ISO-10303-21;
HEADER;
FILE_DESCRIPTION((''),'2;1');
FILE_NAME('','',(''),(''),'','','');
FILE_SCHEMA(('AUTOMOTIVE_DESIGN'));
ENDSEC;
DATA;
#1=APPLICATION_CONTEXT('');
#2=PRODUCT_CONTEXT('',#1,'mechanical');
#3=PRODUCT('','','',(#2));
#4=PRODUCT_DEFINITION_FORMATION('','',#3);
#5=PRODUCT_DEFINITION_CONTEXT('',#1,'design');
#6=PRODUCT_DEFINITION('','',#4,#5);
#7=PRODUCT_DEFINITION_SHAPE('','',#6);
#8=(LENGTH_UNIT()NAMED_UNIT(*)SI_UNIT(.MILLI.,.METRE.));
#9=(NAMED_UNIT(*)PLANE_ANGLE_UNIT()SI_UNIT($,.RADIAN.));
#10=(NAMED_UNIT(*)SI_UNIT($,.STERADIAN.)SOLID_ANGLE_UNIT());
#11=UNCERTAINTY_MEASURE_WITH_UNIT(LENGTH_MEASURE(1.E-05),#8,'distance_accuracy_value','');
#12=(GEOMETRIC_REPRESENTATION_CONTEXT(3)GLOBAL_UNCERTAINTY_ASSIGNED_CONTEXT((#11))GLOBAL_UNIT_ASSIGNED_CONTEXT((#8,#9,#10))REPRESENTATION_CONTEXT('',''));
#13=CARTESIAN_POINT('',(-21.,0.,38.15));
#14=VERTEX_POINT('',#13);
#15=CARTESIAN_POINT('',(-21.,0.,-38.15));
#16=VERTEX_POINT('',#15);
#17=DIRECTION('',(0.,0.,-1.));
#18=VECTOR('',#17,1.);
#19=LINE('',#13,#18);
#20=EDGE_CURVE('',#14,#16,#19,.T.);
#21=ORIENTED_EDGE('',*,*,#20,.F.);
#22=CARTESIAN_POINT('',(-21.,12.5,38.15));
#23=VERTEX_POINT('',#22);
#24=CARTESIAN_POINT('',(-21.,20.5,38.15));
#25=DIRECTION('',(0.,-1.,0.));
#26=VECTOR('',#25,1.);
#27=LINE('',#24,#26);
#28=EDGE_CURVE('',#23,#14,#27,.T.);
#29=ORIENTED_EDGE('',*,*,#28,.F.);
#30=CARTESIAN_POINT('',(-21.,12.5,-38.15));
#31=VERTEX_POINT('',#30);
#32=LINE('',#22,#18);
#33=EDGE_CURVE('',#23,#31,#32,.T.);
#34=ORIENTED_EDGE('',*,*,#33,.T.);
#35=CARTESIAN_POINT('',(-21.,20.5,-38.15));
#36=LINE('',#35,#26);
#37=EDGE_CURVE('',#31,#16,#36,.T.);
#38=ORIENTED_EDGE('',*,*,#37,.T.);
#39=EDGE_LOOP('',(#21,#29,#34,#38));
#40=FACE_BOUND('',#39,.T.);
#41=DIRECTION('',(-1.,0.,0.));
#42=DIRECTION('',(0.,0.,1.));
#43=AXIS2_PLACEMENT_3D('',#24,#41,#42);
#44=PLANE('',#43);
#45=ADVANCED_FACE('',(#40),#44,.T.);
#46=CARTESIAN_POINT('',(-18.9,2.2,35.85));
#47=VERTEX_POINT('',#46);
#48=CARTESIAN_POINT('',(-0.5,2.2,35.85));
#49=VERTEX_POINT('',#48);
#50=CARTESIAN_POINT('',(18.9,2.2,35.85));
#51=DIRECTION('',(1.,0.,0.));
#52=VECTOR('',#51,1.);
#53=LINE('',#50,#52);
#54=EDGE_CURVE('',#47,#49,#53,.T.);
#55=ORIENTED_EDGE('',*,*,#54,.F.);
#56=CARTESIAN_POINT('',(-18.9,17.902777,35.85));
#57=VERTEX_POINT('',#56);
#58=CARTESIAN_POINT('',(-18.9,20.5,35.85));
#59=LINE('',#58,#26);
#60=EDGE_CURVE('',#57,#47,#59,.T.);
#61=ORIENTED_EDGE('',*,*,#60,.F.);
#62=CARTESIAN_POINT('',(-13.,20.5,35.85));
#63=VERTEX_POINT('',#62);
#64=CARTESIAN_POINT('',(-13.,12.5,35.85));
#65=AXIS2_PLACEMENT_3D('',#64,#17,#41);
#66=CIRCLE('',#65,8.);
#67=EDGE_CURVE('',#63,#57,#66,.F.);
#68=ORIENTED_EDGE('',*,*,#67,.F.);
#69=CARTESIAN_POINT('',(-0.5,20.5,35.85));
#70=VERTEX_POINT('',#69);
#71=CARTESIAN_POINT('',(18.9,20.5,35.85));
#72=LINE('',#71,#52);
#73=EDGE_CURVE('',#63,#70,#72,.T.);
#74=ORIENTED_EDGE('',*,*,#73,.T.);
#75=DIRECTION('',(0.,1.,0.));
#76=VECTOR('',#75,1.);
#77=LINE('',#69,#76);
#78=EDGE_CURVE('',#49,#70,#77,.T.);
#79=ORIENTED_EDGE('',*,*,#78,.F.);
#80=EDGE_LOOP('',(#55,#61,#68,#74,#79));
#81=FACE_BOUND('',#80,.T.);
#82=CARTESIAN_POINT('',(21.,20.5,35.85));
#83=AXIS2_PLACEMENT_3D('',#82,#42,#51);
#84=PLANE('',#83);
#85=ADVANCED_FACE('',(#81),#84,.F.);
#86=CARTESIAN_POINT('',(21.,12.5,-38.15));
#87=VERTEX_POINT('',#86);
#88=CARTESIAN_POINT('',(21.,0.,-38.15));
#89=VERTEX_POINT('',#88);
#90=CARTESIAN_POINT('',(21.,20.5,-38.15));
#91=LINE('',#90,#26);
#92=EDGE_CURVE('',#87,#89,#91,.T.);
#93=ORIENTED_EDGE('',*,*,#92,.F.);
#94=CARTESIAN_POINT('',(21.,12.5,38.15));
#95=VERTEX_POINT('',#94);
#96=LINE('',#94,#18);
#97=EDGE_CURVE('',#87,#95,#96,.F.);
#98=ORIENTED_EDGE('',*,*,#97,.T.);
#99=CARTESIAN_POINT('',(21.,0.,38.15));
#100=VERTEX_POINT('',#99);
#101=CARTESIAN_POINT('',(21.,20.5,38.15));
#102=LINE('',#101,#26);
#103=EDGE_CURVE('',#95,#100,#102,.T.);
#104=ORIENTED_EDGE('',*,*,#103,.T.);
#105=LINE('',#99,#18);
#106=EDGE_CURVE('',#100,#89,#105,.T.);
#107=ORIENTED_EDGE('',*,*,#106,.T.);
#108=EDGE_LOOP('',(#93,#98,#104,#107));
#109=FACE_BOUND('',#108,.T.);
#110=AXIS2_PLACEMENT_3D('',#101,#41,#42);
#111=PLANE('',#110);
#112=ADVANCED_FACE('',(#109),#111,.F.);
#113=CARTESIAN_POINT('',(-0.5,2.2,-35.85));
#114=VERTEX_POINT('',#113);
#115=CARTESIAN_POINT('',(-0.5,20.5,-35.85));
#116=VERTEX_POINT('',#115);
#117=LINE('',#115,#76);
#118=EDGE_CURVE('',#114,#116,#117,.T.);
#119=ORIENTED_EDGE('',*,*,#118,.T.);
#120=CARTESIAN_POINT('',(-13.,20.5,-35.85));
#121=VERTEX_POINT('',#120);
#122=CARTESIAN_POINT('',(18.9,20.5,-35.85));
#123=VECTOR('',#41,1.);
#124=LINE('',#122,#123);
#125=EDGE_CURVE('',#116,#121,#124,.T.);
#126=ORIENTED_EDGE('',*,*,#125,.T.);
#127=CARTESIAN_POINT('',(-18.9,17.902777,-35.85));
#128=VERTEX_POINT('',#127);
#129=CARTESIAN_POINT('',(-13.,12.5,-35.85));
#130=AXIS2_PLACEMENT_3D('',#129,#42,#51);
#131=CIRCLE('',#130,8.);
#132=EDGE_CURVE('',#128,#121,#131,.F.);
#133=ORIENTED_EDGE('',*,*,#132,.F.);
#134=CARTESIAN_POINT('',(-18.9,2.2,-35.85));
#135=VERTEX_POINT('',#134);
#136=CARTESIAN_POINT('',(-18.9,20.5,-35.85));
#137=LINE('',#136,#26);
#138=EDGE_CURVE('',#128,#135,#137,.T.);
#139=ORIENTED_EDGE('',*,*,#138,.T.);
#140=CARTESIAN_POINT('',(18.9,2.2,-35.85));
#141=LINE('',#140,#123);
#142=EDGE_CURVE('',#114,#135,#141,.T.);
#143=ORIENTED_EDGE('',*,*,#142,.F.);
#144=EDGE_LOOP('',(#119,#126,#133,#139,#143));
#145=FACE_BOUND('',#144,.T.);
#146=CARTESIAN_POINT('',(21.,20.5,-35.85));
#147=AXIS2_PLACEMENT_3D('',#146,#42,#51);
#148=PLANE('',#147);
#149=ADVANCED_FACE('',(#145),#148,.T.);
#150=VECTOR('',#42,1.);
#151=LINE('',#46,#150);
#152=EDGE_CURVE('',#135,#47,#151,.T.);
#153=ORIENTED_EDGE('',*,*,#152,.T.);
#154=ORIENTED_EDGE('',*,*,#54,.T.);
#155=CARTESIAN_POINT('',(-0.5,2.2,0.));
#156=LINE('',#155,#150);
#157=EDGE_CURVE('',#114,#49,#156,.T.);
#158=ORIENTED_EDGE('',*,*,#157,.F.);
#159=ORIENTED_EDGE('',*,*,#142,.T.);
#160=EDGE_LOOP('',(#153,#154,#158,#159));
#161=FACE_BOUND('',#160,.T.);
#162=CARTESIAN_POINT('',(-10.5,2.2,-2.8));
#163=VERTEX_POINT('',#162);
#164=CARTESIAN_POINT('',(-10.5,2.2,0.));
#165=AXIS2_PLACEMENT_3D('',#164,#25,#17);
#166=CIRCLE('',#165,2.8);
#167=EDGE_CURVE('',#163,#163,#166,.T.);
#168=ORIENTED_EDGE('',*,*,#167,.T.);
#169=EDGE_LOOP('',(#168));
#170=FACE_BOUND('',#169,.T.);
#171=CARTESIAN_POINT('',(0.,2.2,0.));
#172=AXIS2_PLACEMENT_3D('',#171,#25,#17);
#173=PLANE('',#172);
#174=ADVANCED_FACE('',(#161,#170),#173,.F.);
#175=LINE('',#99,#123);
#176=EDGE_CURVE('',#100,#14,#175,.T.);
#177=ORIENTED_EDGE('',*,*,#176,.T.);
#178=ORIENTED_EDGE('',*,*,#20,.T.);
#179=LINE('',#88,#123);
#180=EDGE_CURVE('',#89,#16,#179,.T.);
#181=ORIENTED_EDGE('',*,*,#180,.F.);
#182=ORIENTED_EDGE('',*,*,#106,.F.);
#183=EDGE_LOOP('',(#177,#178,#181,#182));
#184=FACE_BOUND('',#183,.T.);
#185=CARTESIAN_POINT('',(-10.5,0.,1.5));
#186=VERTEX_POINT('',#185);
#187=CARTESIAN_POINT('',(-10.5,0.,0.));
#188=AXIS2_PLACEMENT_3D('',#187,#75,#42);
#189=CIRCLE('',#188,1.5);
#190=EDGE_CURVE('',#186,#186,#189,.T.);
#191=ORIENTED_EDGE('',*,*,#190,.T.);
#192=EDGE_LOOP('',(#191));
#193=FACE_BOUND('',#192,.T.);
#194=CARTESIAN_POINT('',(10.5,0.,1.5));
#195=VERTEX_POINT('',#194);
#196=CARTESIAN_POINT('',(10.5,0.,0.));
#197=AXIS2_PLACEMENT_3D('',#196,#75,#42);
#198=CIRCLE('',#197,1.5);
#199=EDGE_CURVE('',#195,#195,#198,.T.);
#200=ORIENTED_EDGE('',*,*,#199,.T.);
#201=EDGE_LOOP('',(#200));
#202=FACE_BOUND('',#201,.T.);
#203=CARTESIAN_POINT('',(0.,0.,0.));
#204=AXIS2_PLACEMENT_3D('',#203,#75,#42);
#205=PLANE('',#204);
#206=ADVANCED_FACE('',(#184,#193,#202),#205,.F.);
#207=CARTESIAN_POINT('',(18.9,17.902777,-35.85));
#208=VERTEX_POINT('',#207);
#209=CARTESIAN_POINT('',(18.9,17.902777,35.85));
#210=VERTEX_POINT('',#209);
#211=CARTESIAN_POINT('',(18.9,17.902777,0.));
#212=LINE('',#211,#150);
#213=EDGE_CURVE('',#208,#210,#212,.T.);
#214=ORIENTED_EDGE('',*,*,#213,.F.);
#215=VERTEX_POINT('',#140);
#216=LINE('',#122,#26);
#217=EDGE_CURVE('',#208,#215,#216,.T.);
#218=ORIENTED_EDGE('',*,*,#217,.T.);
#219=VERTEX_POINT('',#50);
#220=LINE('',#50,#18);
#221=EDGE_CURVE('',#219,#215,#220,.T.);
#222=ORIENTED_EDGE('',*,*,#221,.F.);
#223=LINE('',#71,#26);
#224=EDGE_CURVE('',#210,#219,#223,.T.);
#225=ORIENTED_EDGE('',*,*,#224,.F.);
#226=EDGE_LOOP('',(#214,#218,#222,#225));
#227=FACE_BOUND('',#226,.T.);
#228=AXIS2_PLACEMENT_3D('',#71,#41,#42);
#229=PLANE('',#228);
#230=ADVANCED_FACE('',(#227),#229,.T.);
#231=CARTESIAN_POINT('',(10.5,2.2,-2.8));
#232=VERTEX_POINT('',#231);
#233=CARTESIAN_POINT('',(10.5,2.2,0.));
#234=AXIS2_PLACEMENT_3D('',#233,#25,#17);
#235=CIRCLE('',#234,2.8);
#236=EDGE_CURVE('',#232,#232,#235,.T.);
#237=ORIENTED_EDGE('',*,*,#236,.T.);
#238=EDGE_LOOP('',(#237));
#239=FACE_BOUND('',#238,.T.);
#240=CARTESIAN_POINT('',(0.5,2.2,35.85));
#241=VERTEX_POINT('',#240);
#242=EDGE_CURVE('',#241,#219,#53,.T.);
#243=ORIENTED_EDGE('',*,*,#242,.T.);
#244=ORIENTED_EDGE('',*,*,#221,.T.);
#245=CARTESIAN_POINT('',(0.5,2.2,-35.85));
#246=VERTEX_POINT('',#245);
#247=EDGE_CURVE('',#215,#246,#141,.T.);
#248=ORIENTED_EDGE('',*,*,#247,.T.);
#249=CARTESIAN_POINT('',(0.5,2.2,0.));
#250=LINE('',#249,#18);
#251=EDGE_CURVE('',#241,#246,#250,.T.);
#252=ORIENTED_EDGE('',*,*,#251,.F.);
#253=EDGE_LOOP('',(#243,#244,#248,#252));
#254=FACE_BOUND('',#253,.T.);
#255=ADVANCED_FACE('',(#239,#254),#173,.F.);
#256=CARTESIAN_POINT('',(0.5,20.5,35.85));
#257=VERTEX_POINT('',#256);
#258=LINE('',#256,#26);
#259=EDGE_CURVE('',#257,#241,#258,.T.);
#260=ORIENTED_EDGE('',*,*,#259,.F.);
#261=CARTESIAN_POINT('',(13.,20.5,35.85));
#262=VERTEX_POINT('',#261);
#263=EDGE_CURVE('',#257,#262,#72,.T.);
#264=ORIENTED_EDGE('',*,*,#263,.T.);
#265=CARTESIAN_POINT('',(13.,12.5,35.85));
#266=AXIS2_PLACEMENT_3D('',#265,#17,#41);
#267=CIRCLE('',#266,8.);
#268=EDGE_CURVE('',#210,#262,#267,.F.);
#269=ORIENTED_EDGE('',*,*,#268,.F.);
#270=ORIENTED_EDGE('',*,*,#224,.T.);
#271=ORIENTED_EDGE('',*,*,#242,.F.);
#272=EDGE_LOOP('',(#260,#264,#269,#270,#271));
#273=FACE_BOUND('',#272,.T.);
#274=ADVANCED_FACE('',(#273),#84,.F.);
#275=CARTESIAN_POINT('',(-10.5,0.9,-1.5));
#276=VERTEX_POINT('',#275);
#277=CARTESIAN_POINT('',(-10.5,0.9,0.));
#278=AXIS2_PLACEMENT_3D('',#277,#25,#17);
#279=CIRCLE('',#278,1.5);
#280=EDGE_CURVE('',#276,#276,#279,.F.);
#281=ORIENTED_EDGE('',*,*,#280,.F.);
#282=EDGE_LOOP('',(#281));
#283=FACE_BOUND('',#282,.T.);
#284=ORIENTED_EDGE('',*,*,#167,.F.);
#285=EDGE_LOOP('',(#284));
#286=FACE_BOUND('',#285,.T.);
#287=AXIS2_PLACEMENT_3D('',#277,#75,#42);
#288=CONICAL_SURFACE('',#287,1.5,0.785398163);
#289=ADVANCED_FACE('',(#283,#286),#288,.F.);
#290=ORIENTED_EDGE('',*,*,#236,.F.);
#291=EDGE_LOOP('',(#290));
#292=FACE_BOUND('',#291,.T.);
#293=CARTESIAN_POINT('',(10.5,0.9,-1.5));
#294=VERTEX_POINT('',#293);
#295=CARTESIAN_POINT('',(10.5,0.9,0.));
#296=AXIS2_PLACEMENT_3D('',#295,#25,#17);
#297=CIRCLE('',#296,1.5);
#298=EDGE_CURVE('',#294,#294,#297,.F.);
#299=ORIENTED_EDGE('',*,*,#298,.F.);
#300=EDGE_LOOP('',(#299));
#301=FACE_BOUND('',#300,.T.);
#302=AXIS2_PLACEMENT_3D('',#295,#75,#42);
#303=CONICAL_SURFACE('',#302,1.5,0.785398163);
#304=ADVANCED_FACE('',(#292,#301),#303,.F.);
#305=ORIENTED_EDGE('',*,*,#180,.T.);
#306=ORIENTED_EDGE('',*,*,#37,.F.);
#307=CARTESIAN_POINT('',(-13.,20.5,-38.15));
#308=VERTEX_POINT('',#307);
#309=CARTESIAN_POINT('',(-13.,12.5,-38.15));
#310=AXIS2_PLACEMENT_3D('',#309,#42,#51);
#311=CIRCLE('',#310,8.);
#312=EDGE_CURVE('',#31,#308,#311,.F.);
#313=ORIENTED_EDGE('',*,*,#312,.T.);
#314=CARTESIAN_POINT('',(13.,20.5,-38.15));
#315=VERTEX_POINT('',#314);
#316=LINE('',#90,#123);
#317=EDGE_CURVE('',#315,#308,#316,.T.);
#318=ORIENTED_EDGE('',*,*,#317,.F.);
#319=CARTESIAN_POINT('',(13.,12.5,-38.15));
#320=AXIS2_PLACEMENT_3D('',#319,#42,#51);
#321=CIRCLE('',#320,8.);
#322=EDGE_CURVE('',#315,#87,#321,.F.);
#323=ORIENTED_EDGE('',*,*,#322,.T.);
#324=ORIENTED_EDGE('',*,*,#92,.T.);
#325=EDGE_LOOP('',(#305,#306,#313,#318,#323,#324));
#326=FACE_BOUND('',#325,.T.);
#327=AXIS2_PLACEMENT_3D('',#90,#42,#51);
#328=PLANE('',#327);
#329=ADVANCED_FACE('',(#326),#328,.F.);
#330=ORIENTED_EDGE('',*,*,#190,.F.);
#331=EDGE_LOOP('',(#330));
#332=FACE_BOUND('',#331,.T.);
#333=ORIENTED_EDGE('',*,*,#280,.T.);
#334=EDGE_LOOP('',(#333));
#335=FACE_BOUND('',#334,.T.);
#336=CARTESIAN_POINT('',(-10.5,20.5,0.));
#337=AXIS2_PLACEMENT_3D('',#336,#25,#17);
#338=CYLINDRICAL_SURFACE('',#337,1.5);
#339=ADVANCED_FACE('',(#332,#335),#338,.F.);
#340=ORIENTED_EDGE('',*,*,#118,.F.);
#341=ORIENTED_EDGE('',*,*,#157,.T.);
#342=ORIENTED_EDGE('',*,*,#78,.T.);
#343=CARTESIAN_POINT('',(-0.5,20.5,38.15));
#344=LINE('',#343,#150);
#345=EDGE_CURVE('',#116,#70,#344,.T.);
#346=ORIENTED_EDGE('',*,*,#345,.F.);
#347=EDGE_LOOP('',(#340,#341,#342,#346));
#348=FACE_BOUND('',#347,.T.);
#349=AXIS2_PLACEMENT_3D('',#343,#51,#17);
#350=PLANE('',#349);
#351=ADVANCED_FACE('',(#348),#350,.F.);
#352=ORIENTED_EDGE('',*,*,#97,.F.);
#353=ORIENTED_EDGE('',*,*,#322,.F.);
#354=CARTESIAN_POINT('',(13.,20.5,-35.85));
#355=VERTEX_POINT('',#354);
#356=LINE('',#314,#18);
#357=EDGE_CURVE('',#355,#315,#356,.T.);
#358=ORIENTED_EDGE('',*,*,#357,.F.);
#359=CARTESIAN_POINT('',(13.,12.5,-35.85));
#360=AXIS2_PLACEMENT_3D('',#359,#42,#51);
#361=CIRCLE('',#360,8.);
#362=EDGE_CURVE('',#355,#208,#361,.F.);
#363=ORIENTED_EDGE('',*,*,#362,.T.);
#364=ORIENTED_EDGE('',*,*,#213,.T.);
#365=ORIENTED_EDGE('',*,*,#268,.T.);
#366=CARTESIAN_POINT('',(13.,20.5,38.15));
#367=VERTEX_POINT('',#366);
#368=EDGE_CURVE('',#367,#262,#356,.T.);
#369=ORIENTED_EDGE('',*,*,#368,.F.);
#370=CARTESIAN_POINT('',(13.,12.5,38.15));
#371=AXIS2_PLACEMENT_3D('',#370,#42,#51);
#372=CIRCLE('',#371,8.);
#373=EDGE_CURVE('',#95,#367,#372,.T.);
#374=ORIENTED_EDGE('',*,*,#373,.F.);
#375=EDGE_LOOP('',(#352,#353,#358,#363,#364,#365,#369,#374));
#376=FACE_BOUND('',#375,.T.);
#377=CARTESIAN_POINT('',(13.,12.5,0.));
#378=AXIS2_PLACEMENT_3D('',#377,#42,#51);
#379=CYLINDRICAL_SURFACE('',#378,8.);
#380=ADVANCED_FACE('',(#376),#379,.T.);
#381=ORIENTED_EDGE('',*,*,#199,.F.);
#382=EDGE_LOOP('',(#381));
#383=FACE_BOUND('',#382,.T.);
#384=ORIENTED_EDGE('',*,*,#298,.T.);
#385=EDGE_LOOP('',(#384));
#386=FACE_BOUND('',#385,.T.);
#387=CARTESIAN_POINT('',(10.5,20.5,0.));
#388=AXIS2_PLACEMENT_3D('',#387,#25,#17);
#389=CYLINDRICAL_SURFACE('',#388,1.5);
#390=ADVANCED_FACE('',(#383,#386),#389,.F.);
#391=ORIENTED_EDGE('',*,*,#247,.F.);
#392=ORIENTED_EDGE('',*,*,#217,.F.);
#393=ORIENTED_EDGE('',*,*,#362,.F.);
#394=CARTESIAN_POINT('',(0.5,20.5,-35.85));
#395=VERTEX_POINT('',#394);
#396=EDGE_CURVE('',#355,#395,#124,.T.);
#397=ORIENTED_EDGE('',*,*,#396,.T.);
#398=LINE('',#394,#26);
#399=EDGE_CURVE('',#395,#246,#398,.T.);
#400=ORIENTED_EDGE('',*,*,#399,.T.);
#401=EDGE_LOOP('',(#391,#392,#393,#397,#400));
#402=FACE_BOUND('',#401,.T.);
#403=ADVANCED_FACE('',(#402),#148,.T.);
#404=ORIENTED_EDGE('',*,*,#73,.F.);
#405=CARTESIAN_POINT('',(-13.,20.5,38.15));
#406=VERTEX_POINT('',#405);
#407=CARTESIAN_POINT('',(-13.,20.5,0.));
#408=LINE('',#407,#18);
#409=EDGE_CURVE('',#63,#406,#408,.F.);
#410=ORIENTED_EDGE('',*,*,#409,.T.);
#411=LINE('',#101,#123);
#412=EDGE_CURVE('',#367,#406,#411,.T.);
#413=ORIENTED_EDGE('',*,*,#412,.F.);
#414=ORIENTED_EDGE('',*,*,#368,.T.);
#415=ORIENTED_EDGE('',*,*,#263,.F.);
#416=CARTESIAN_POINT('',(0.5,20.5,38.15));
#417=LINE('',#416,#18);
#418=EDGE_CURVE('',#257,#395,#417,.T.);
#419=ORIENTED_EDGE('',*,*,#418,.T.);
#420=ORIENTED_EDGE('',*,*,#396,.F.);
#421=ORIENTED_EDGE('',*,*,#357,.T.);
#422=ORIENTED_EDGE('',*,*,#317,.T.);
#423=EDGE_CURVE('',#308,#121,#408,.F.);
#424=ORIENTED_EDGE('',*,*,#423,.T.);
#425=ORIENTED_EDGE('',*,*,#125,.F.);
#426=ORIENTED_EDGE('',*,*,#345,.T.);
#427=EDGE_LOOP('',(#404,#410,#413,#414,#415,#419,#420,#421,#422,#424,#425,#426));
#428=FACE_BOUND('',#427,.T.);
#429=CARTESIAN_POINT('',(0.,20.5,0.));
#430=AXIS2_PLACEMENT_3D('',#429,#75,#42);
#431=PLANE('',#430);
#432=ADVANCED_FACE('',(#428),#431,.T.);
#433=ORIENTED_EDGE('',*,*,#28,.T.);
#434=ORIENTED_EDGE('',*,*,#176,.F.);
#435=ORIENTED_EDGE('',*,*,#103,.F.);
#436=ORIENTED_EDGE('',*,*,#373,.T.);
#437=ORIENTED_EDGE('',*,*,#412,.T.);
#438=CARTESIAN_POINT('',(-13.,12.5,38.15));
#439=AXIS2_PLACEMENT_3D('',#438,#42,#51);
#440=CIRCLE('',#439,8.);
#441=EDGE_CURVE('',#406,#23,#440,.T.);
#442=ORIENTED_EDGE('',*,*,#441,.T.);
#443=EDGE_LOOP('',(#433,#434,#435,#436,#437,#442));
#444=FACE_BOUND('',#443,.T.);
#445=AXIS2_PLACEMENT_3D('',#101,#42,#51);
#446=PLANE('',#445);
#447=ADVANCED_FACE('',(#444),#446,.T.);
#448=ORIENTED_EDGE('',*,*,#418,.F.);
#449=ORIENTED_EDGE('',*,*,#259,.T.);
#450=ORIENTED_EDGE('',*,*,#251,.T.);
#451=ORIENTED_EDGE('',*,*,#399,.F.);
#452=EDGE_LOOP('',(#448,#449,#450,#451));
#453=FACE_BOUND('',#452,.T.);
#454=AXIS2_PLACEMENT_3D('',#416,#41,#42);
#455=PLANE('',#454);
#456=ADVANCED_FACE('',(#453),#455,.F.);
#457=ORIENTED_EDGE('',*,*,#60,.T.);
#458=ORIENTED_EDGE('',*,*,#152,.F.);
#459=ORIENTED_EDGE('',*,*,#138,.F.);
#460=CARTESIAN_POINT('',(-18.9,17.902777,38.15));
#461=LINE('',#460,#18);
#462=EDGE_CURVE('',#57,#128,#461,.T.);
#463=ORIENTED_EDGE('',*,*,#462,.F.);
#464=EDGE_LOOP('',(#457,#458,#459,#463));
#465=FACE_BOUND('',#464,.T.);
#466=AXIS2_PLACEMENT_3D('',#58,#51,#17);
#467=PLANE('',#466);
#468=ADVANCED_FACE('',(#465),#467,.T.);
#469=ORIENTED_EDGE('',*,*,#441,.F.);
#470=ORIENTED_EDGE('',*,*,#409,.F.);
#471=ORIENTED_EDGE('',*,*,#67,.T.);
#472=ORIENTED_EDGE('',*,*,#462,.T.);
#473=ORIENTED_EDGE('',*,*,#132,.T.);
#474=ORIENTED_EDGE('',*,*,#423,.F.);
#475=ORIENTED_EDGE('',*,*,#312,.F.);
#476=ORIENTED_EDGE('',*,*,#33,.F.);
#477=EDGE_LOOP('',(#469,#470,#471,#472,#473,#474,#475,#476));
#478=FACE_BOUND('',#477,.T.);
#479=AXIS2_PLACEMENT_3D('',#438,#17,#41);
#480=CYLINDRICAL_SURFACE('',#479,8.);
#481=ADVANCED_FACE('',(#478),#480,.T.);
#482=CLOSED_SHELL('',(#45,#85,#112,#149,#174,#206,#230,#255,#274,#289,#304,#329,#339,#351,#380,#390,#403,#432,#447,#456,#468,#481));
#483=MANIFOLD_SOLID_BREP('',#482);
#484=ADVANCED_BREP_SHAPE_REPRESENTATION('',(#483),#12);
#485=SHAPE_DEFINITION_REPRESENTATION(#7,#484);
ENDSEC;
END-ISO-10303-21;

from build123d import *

# Parameters (mm, degrees)
SKETCH_1_W          = 42
SKETCH_1_H          = 76.3
EXTRUDE_1_DEPTH     = 20.5
FILLET_1_R          = 8
SHELL_1_T           = 2.3
CUT_EXTRUDE_START   = 2.2
SKETCH_3_W          = 37.8
SKETCH_3_H          = 71.7
CUT_EXTRUDE_1_DEPTH = 19.3
SKETCH_1_3_R        = 1.5
CUT_EXTRUDE_2_DEPTH = 21.5
SKETCH_4_W          = 1
SKETCH_4_H          = 76.3
EXTRUDE_2_DEPTH     = 20.5
CHAMFER1_SIZE       = 1.3


with BuildPart() as part:
    # Эскиз1 → Бобышка-Вытянуть1 (new body)
    with BuildSketch(Plane(origin=(0, 0, 0), x_dir=(1, 0, 0), z_dir=(0, 1, 0))):
        Rectangle(SKETCH_1_W, SKETCH_1_H)
    extrude(amount=EXTRUDE_1_DEPTH)

    # Скругление1
    fillet_1_edges = [part.edges().sort_by_distance(p)[0] for p in [
        (-21, 20.5, 0),
        (21, 20.5, 0),
    ]]
    fillet(fillet_1_edges, radius=FILLET_1_R)

    # Оболочка1 (no face opened: a closed hollow body)
    add(offset(amount=-SHELL_1_T, mode=Mode.PRIVATE), mode=Mode.SUBTRACT)

    # Эскиз3 → Вырез-Вытянуть1 (cut, through all)
    with BuildSketch(Plane(origin=(0, 0, 0), x_dir=(1, 0, 0), z_dir=(0, 1, 0)).offset(CUT_EXTRUDE_START)):
        Rectangle(SKETCH_3_W, SKETCH_3_H)
    extrude(amount=CUT_EXTRUDE_1_DEPTH, mode=Mode.SUBTRACT)

    # Эскиз1<3> → Вырез-Вытянуть2 (cut, through all)
    with BuildSketch(Plane(origin=(0, 0, 0), x_dir=(1, 0, 0), z_dir=(0, 1, 0))):
        with Locations((-10.5, 0)):
            Circle(SKETCH_1_3_R)
        with Locations((10.5, 0)):
            Circle(SKETCH_1_3_R)
    extrude(amount=CUT_EXTRUDE_2_DEPTH, mode=Mode.SUBTRACT)

    # Эскиз4 → Бобышка-Вытянуть2 (add)
    with BuildSketch(Plane(origin=(0, 0, 0), x_dir=(1, 0, 0), z_dir=(0, 1, 0))):
        Rectangle(SKETCH_4_W, SKETCH_4_H)
    extrude(amount=EXTRUDE_2_DEPTH)

    # Chamfer1
    chamfer1_edges = [part.edges().sort_by_distance(p)[0] for p in [
        (9, 2.2, 0),
        (-12, 2.2, 0),
    ]]
    chamfer(chamfer1_edges, length=CHAMFER1_SIZE)


solid = part.part
